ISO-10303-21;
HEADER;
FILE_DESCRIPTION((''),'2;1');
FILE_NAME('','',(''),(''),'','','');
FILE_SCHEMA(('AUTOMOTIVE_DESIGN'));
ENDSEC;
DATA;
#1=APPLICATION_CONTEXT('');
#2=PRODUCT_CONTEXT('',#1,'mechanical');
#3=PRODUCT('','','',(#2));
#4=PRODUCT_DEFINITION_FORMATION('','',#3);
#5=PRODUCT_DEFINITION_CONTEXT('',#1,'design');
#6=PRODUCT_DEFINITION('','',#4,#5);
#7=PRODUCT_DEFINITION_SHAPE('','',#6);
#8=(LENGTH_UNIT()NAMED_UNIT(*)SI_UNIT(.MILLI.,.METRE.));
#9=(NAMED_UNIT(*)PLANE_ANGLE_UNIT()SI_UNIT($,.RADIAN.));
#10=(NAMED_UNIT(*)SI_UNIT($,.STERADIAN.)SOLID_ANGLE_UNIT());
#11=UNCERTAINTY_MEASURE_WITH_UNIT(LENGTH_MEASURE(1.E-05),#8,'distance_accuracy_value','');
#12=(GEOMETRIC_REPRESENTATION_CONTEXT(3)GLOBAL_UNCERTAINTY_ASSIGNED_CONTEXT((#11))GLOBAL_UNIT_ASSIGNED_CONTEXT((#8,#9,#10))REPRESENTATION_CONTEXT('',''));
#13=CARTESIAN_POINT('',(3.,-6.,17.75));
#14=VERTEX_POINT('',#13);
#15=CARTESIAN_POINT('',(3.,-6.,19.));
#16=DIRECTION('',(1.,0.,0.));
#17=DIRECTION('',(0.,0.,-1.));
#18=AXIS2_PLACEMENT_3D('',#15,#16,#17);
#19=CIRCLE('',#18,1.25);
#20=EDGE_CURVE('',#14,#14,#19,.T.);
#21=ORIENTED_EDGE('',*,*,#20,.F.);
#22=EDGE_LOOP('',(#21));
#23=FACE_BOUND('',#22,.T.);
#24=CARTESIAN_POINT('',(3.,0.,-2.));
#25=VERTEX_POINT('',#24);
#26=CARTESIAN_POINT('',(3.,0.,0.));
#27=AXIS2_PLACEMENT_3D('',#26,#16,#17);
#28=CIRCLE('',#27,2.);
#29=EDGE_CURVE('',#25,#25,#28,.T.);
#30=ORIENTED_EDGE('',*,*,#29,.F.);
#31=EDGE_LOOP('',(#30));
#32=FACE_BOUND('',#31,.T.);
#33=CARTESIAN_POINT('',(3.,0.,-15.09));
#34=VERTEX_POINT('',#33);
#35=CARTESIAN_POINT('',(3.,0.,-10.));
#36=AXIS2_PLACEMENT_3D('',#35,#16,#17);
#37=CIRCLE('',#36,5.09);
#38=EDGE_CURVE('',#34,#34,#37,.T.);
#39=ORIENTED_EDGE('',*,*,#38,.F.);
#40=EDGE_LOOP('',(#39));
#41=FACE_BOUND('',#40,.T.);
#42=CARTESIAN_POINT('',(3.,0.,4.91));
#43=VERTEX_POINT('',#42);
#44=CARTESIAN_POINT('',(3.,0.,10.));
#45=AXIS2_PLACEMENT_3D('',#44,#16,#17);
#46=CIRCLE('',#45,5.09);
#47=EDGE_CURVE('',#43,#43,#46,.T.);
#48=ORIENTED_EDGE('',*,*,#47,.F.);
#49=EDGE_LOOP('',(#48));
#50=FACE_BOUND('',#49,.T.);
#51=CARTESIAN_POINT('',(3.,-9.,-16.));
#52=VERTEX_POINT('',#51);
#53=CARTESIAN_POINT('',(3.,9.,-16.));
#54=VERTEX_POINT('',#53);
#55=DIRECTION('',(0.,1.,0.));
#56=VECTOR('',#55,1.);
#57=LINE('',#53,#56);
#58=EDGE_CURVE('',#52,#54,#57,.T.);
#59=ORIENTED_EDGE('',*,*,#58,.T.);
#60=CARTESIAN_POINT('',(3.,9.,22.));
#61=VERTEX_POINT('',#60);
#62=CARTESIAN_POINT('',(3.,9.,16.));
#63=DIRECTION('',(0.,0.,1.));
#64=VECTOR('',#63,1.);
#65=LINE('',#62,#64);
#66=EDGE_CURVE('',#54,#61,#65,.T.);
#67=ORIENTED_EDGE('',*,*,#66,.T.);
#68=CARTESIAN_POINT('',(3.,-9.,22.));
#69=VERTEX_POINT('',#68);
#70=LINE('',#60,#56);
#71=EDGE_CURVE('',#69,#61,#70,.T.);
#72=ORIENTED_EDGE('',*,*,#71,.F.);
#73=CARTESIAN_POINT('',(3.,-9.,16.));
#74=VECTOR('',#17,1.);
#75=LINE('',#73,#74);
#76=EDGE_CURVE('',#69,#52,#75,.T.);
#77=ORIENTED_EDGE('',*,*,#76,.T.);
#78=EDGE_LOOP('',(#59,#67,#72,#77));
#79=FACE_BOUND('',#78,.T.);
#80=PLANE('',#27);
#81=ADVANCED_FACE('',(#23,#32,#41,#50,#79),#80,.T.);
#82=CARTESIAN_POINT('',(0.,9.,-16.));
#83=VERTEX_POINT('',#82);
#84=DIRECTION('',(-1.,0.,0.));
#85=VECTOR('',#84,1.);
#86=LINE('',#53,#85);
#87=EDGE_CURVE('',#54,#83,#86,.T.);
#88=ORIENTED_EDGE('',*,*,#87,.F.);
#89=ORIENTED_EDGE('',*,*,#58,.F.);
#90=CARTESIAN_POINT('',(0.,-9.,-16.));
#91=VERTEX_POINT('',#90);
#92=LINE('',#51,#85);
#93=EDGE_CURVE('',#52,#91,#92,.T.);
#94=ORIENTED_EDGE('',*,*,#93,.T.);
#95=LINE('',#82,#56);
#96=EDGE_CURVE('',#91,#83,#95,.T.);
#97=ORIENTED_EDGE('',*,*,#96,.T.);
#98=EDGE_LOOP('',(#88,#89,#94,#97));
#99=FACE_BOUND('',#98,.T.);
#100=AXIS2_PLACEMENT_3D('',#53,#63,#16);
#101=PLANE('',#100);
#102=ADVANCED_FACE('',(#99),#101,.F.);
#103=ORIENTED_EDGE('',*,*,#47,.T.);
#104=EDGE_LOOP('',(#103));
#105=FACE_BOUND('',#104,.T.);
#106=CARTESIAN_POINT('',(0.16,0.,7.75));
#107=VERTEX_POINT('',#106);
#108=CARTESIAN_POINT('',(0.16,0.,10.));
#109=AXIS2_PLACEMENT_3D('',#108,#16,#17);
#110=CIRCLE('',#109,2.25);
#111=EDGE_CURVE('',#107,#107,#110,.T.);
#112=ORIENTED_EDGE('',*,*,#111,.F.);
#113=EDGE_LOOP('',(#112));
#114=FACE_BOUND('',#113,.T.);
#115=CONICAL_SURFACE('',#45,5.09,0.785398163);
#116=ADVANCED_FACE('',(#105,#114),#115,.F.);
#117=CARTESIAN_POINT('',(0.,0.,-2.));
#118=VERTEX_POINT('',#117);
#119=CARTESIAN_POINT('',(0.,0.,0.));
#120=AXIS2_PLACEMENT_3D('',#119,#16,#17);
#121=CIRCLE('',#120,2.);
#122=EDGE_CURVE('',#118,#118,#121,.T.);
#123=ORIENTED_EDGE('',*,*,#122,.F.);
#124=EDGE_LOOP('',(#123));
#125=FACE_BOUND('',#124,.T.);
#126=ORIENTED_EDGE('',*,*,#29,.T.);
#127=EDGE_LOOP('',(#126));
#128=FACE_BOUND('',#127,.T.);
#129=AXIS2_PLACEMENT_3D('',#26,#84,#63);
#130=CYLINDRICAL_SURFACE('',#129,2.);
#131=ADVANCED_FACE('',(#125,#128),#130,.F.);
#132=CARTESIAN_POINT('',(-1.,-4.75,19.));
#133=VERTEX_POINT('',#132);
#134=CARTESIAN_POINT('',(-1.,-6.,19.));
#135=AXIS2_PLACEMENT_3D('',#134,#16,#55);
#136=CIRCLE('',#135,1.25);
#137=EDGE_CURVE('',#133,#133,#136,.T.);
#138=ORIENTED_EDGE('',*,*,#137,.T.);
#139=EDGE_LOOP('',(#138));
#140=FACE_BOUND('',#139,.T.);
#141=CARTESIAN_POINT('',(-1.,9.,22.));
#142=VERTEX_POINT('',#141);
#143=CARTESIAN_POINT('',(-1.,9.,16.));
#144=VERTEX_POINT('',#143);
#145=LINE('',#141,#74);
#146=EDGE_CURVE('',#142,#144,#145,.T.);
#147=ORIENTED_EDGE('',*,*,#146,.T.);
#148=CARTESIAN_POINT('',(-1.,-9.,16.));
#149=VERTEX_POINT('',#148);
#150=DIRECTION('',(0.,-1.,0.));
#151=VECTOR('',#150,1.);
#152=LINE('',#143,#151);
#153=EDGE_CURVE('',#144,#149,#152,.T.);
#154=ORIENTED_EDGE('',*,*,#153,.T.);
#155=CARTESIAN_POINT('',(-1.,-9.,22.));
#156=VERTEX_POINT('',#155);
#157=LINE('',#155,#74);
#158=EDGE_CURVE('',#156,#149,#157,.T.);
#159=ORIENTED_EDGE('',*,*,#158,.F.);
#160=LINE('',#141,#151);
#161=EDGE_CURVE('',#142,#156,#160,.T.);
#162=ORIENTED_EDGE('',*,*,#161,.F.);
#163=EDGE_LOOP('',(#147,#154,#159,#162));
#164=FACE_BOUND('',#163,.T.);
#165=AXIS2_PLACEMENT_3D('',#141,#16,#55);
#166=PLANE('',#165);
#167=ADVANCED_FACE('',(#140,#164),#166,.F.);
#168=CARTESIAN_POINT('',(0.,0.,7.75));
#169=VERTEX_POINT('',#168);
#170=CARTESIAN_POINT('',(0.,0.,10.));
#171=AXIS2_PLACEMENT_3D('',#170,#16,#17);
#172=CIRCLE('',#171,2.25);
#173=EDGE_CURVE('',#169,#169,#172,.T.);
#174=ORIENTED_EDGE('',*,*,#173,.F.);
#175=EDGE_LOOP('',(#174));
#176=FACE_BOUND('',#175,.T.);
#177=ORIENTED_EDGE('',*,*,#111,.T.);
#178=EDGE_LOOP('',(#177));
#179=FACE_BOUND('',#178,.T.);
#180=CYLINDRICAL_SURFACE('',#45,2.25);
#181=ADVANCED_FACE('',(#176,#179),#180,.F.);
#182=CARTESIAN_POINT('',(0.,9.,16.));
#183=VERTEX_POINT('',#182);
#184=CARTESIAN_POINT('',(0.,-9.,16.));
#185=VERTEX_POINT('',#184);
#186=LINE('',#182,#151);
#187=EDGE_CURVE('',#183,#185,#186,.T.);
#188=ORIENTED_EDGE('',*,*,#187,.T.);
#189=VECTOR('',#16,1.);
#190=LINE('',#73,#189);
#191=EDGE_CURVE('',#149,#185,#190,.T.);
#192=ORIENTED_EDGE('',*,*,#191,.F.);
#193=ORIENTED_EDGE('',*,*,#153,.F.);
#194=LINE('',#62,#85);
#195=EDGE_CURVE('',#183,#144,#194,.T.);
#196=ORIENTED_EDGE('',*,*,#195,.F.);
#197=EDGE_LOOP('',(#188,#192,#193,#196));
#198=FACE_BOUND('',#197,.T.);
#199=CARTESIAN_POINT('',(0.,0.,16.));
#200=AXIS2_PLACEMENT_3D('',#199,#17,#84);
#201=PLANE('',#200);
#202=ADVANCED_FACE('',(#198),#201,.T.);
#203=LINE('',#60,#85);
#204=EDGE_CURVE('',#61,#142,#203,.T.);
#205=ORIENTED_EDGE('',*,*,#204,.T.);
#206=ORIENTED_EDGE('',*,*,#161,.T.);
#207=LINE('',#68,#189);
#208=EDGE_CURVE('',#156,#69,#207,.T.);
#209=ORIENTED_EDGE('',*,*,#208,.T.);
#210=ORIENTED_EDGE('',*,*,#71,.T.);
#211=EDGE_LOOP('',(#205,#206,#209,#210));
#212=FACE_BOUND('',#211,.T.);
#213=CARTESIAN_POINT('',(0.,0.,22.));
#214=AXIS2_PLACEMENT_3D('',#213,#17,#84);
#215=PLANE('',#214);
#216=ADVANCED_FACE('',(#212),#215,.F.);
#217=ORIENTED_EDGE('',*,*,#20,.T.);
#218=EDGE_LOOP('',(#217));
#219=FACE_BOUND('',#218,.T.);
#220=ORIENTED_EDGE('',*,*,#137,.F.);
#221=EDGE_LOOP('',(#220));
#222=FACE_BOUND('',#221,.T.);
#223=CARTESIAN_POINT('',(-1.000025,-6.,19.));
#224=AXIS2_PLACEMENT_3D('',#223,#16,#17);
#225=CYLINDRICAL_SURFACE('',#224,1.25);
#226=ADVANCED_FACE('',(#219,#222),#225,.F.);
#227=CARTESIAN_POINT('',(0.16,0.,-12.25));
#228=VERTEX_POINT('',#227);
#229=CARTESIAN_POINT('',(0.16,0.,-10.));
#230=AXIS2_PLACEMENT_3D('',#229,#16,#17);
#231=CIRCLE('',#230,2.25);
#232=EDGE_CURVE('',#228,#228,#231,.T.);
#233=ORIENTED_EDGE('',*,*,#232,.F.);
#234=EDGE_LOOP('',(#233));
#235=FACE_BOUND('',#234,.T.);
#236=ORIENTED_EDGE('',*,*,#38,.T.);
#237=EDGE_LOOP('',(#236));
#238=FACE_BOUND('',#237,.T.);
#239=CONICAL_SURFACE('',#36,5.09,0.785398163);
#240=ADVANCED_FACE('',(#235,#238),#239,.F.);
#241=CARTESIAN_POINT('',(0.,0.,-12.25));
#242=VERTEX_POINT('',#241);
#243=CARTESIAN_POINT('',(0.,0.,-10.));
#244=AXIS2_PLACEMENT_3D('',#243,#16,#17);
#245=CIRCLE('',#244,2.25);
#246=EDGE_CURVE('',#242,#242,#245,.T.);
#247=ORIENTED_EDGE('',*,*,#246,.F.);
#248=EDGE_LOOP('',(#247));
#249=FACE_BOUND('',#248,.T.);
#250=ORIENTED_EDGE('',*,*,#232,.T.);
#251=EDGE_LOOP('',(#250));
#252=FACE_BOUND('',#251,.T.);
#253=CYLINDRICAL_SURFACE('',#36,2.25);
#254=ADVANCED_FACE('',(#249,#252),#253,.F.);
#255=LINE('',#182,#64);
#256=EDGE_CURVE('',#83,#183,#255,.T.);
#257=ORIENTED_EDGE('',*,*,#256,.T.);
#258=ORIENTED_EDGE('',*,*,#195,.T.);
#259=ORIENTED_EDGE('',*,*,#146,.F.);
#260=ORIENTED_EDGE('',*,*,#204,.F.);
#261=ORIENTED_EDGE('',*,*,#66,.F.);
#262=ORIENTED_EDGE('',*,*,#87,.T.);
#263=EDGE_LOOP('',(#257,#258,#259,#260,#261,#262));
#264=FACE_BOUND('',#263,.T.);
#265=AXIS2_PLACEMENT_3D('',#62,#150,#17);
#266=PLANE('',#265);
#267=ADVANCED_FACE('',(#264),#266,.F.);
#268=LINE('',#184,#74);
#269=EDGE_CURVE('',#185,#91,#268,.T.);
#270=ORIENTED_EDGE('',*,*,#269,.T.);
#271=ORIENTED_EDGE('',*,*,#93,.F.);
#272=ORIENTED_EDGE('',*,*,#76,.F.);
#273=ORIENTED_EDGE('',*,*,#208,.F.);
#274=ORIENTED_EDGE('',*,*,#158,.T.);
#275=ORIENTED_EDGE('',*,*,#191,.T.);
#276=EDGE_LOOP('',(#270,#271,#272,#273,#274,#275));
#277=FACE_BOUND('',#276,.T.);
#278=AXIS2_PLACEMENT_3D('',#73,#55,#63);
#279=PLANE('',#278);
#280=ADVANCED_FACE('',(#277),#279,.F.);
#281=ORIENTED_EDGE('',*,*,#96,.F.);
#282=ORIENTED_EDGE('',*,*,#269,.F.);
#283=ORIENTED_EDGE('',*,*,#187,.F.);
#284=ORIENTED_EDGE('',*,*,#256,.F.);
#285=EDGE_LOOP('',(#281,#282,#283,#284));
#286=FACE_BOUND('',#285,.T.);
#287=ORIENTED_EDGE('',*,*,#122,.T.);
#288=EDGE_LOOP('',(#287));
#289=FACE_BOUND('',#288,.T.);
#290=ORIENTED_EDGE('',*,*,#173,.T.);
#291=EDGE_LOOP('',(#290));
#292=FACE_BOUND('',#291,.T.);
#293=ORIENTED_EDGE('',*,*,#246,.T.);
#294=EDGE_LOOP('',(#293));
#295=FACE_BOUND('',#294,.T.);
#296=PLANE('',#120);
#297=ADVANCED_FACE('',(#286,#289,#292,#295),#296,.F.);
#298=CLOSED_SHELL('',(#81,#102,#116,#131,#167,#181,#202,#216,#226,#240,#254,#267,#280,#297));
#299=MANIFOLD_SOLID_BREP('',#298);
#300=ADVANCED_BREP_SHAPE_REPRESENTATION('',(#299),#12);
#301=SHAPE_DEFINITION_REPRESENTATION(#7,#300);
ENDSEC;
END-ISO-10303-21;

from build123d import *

# Parameters (mm, degrees)
SKETCH1_W                                    = 32
SKETCH1_H                                    = 18
SKETCH1_R                                    = 2
BOSS_EXTRUDE1_DEPTH                          = 3
SKETCH3_W                                    = 4
SKETCH3_H                                    = 18
BOSS_EXTRUDE2_DEPTH                          = 6
SKETCH4_R                                    = 1.25
CUT_EXTRUDE1_DEPTH                           = 25.103941586
CSK_FOR_M4_HEX_SOCKET_COUNTERSUNK_HE_2_COUNT = 2
CSK_FOR_M4_HEX_SOCKET_COUNTERSUNK_HE_2_PITCH = 20


with BuildPart() as part:
    # Sketch1 → Boss-Extrude1 (new body)
    with BuildSketch(Plane(origin=(0, 0, 0), x_dir=(0, 0, -1), z_dir=(1, 0, 0))):
        Rectangle(SKETCH1_W, SKETCH1_H)
        with Locations((-10, 0)):
            Circle(SKETCH1_R, mode=Mode.SUBTRACT)
        Circle(SKETCH1_R, mode=Mode.SUBTRACT)
        with Locations((10, 0)):
            Circle(SKETCH1_R, mode=Mode.SUBTRACT)
    extrude(amount=BOSS_EXTRUDE1_DEPTH)

    # Sketch3 → Boss-Extrude2 (add)
    with BuildSketch(Plane.XY.offset(16)):
        with Locations((1, 0)):
            Rectangle(SKETCH3_W, SKETCH3_H)
    extrude(amount=BOSS_EXTRUDE2_DEPTH)

    # Sketch4 → Cut-Extrude1 (cut, through all)
    with BuildSketch(Plane(origin=(3, 0, 0), x_dir=(0, 0, -1), z_dir=(1, 0, 0))):
        with Locations((-19, -6)):
            Circle(SKETCH4_R)
    extrude(amount=-CUT_EXTRUDE1_DEPTH, mode=Mode.SUBTRACT)

    # Sketch5 → CSK for M4 Hex Socket Countersunk Head Screw1 (revolve, cut)
    with BuildSketch(Plane(origin=(3, 0, 10), x_dir=(0, 0, -1), z_dir=(0, 1, 0))):
        Polygon((0, 0), (0, 4.000025), (2.25, 4.000025), (2.25, 2.84), (5.09, 0), align=None)
    csk_for_m4_hex_socket_countersunk_head_s = revolve(axis=Axis((9.35, 0, 10), (-1, 0, 0)), mode=Mode.SUBTRACT)

    # CSK for M4 Hex Socket Countersunk He 2: CSK for M4 Hex Socket Countersunk Head Screw1 ×2
    with Locations(*[(0, 0, -i * CSK_FOR_M4_HEX_SOCKET_COUNTERSUNK_HE_2_PITCH) for i in range(1, CSK_FOR_M4_HEX_SOCKET_COUNTERSUNK_HE_2_COUNT)]):
        add(csk_for_m4_hex_socket_countersunk_head_s, mode=Mode.SUBTRACT)


solid = part.part
